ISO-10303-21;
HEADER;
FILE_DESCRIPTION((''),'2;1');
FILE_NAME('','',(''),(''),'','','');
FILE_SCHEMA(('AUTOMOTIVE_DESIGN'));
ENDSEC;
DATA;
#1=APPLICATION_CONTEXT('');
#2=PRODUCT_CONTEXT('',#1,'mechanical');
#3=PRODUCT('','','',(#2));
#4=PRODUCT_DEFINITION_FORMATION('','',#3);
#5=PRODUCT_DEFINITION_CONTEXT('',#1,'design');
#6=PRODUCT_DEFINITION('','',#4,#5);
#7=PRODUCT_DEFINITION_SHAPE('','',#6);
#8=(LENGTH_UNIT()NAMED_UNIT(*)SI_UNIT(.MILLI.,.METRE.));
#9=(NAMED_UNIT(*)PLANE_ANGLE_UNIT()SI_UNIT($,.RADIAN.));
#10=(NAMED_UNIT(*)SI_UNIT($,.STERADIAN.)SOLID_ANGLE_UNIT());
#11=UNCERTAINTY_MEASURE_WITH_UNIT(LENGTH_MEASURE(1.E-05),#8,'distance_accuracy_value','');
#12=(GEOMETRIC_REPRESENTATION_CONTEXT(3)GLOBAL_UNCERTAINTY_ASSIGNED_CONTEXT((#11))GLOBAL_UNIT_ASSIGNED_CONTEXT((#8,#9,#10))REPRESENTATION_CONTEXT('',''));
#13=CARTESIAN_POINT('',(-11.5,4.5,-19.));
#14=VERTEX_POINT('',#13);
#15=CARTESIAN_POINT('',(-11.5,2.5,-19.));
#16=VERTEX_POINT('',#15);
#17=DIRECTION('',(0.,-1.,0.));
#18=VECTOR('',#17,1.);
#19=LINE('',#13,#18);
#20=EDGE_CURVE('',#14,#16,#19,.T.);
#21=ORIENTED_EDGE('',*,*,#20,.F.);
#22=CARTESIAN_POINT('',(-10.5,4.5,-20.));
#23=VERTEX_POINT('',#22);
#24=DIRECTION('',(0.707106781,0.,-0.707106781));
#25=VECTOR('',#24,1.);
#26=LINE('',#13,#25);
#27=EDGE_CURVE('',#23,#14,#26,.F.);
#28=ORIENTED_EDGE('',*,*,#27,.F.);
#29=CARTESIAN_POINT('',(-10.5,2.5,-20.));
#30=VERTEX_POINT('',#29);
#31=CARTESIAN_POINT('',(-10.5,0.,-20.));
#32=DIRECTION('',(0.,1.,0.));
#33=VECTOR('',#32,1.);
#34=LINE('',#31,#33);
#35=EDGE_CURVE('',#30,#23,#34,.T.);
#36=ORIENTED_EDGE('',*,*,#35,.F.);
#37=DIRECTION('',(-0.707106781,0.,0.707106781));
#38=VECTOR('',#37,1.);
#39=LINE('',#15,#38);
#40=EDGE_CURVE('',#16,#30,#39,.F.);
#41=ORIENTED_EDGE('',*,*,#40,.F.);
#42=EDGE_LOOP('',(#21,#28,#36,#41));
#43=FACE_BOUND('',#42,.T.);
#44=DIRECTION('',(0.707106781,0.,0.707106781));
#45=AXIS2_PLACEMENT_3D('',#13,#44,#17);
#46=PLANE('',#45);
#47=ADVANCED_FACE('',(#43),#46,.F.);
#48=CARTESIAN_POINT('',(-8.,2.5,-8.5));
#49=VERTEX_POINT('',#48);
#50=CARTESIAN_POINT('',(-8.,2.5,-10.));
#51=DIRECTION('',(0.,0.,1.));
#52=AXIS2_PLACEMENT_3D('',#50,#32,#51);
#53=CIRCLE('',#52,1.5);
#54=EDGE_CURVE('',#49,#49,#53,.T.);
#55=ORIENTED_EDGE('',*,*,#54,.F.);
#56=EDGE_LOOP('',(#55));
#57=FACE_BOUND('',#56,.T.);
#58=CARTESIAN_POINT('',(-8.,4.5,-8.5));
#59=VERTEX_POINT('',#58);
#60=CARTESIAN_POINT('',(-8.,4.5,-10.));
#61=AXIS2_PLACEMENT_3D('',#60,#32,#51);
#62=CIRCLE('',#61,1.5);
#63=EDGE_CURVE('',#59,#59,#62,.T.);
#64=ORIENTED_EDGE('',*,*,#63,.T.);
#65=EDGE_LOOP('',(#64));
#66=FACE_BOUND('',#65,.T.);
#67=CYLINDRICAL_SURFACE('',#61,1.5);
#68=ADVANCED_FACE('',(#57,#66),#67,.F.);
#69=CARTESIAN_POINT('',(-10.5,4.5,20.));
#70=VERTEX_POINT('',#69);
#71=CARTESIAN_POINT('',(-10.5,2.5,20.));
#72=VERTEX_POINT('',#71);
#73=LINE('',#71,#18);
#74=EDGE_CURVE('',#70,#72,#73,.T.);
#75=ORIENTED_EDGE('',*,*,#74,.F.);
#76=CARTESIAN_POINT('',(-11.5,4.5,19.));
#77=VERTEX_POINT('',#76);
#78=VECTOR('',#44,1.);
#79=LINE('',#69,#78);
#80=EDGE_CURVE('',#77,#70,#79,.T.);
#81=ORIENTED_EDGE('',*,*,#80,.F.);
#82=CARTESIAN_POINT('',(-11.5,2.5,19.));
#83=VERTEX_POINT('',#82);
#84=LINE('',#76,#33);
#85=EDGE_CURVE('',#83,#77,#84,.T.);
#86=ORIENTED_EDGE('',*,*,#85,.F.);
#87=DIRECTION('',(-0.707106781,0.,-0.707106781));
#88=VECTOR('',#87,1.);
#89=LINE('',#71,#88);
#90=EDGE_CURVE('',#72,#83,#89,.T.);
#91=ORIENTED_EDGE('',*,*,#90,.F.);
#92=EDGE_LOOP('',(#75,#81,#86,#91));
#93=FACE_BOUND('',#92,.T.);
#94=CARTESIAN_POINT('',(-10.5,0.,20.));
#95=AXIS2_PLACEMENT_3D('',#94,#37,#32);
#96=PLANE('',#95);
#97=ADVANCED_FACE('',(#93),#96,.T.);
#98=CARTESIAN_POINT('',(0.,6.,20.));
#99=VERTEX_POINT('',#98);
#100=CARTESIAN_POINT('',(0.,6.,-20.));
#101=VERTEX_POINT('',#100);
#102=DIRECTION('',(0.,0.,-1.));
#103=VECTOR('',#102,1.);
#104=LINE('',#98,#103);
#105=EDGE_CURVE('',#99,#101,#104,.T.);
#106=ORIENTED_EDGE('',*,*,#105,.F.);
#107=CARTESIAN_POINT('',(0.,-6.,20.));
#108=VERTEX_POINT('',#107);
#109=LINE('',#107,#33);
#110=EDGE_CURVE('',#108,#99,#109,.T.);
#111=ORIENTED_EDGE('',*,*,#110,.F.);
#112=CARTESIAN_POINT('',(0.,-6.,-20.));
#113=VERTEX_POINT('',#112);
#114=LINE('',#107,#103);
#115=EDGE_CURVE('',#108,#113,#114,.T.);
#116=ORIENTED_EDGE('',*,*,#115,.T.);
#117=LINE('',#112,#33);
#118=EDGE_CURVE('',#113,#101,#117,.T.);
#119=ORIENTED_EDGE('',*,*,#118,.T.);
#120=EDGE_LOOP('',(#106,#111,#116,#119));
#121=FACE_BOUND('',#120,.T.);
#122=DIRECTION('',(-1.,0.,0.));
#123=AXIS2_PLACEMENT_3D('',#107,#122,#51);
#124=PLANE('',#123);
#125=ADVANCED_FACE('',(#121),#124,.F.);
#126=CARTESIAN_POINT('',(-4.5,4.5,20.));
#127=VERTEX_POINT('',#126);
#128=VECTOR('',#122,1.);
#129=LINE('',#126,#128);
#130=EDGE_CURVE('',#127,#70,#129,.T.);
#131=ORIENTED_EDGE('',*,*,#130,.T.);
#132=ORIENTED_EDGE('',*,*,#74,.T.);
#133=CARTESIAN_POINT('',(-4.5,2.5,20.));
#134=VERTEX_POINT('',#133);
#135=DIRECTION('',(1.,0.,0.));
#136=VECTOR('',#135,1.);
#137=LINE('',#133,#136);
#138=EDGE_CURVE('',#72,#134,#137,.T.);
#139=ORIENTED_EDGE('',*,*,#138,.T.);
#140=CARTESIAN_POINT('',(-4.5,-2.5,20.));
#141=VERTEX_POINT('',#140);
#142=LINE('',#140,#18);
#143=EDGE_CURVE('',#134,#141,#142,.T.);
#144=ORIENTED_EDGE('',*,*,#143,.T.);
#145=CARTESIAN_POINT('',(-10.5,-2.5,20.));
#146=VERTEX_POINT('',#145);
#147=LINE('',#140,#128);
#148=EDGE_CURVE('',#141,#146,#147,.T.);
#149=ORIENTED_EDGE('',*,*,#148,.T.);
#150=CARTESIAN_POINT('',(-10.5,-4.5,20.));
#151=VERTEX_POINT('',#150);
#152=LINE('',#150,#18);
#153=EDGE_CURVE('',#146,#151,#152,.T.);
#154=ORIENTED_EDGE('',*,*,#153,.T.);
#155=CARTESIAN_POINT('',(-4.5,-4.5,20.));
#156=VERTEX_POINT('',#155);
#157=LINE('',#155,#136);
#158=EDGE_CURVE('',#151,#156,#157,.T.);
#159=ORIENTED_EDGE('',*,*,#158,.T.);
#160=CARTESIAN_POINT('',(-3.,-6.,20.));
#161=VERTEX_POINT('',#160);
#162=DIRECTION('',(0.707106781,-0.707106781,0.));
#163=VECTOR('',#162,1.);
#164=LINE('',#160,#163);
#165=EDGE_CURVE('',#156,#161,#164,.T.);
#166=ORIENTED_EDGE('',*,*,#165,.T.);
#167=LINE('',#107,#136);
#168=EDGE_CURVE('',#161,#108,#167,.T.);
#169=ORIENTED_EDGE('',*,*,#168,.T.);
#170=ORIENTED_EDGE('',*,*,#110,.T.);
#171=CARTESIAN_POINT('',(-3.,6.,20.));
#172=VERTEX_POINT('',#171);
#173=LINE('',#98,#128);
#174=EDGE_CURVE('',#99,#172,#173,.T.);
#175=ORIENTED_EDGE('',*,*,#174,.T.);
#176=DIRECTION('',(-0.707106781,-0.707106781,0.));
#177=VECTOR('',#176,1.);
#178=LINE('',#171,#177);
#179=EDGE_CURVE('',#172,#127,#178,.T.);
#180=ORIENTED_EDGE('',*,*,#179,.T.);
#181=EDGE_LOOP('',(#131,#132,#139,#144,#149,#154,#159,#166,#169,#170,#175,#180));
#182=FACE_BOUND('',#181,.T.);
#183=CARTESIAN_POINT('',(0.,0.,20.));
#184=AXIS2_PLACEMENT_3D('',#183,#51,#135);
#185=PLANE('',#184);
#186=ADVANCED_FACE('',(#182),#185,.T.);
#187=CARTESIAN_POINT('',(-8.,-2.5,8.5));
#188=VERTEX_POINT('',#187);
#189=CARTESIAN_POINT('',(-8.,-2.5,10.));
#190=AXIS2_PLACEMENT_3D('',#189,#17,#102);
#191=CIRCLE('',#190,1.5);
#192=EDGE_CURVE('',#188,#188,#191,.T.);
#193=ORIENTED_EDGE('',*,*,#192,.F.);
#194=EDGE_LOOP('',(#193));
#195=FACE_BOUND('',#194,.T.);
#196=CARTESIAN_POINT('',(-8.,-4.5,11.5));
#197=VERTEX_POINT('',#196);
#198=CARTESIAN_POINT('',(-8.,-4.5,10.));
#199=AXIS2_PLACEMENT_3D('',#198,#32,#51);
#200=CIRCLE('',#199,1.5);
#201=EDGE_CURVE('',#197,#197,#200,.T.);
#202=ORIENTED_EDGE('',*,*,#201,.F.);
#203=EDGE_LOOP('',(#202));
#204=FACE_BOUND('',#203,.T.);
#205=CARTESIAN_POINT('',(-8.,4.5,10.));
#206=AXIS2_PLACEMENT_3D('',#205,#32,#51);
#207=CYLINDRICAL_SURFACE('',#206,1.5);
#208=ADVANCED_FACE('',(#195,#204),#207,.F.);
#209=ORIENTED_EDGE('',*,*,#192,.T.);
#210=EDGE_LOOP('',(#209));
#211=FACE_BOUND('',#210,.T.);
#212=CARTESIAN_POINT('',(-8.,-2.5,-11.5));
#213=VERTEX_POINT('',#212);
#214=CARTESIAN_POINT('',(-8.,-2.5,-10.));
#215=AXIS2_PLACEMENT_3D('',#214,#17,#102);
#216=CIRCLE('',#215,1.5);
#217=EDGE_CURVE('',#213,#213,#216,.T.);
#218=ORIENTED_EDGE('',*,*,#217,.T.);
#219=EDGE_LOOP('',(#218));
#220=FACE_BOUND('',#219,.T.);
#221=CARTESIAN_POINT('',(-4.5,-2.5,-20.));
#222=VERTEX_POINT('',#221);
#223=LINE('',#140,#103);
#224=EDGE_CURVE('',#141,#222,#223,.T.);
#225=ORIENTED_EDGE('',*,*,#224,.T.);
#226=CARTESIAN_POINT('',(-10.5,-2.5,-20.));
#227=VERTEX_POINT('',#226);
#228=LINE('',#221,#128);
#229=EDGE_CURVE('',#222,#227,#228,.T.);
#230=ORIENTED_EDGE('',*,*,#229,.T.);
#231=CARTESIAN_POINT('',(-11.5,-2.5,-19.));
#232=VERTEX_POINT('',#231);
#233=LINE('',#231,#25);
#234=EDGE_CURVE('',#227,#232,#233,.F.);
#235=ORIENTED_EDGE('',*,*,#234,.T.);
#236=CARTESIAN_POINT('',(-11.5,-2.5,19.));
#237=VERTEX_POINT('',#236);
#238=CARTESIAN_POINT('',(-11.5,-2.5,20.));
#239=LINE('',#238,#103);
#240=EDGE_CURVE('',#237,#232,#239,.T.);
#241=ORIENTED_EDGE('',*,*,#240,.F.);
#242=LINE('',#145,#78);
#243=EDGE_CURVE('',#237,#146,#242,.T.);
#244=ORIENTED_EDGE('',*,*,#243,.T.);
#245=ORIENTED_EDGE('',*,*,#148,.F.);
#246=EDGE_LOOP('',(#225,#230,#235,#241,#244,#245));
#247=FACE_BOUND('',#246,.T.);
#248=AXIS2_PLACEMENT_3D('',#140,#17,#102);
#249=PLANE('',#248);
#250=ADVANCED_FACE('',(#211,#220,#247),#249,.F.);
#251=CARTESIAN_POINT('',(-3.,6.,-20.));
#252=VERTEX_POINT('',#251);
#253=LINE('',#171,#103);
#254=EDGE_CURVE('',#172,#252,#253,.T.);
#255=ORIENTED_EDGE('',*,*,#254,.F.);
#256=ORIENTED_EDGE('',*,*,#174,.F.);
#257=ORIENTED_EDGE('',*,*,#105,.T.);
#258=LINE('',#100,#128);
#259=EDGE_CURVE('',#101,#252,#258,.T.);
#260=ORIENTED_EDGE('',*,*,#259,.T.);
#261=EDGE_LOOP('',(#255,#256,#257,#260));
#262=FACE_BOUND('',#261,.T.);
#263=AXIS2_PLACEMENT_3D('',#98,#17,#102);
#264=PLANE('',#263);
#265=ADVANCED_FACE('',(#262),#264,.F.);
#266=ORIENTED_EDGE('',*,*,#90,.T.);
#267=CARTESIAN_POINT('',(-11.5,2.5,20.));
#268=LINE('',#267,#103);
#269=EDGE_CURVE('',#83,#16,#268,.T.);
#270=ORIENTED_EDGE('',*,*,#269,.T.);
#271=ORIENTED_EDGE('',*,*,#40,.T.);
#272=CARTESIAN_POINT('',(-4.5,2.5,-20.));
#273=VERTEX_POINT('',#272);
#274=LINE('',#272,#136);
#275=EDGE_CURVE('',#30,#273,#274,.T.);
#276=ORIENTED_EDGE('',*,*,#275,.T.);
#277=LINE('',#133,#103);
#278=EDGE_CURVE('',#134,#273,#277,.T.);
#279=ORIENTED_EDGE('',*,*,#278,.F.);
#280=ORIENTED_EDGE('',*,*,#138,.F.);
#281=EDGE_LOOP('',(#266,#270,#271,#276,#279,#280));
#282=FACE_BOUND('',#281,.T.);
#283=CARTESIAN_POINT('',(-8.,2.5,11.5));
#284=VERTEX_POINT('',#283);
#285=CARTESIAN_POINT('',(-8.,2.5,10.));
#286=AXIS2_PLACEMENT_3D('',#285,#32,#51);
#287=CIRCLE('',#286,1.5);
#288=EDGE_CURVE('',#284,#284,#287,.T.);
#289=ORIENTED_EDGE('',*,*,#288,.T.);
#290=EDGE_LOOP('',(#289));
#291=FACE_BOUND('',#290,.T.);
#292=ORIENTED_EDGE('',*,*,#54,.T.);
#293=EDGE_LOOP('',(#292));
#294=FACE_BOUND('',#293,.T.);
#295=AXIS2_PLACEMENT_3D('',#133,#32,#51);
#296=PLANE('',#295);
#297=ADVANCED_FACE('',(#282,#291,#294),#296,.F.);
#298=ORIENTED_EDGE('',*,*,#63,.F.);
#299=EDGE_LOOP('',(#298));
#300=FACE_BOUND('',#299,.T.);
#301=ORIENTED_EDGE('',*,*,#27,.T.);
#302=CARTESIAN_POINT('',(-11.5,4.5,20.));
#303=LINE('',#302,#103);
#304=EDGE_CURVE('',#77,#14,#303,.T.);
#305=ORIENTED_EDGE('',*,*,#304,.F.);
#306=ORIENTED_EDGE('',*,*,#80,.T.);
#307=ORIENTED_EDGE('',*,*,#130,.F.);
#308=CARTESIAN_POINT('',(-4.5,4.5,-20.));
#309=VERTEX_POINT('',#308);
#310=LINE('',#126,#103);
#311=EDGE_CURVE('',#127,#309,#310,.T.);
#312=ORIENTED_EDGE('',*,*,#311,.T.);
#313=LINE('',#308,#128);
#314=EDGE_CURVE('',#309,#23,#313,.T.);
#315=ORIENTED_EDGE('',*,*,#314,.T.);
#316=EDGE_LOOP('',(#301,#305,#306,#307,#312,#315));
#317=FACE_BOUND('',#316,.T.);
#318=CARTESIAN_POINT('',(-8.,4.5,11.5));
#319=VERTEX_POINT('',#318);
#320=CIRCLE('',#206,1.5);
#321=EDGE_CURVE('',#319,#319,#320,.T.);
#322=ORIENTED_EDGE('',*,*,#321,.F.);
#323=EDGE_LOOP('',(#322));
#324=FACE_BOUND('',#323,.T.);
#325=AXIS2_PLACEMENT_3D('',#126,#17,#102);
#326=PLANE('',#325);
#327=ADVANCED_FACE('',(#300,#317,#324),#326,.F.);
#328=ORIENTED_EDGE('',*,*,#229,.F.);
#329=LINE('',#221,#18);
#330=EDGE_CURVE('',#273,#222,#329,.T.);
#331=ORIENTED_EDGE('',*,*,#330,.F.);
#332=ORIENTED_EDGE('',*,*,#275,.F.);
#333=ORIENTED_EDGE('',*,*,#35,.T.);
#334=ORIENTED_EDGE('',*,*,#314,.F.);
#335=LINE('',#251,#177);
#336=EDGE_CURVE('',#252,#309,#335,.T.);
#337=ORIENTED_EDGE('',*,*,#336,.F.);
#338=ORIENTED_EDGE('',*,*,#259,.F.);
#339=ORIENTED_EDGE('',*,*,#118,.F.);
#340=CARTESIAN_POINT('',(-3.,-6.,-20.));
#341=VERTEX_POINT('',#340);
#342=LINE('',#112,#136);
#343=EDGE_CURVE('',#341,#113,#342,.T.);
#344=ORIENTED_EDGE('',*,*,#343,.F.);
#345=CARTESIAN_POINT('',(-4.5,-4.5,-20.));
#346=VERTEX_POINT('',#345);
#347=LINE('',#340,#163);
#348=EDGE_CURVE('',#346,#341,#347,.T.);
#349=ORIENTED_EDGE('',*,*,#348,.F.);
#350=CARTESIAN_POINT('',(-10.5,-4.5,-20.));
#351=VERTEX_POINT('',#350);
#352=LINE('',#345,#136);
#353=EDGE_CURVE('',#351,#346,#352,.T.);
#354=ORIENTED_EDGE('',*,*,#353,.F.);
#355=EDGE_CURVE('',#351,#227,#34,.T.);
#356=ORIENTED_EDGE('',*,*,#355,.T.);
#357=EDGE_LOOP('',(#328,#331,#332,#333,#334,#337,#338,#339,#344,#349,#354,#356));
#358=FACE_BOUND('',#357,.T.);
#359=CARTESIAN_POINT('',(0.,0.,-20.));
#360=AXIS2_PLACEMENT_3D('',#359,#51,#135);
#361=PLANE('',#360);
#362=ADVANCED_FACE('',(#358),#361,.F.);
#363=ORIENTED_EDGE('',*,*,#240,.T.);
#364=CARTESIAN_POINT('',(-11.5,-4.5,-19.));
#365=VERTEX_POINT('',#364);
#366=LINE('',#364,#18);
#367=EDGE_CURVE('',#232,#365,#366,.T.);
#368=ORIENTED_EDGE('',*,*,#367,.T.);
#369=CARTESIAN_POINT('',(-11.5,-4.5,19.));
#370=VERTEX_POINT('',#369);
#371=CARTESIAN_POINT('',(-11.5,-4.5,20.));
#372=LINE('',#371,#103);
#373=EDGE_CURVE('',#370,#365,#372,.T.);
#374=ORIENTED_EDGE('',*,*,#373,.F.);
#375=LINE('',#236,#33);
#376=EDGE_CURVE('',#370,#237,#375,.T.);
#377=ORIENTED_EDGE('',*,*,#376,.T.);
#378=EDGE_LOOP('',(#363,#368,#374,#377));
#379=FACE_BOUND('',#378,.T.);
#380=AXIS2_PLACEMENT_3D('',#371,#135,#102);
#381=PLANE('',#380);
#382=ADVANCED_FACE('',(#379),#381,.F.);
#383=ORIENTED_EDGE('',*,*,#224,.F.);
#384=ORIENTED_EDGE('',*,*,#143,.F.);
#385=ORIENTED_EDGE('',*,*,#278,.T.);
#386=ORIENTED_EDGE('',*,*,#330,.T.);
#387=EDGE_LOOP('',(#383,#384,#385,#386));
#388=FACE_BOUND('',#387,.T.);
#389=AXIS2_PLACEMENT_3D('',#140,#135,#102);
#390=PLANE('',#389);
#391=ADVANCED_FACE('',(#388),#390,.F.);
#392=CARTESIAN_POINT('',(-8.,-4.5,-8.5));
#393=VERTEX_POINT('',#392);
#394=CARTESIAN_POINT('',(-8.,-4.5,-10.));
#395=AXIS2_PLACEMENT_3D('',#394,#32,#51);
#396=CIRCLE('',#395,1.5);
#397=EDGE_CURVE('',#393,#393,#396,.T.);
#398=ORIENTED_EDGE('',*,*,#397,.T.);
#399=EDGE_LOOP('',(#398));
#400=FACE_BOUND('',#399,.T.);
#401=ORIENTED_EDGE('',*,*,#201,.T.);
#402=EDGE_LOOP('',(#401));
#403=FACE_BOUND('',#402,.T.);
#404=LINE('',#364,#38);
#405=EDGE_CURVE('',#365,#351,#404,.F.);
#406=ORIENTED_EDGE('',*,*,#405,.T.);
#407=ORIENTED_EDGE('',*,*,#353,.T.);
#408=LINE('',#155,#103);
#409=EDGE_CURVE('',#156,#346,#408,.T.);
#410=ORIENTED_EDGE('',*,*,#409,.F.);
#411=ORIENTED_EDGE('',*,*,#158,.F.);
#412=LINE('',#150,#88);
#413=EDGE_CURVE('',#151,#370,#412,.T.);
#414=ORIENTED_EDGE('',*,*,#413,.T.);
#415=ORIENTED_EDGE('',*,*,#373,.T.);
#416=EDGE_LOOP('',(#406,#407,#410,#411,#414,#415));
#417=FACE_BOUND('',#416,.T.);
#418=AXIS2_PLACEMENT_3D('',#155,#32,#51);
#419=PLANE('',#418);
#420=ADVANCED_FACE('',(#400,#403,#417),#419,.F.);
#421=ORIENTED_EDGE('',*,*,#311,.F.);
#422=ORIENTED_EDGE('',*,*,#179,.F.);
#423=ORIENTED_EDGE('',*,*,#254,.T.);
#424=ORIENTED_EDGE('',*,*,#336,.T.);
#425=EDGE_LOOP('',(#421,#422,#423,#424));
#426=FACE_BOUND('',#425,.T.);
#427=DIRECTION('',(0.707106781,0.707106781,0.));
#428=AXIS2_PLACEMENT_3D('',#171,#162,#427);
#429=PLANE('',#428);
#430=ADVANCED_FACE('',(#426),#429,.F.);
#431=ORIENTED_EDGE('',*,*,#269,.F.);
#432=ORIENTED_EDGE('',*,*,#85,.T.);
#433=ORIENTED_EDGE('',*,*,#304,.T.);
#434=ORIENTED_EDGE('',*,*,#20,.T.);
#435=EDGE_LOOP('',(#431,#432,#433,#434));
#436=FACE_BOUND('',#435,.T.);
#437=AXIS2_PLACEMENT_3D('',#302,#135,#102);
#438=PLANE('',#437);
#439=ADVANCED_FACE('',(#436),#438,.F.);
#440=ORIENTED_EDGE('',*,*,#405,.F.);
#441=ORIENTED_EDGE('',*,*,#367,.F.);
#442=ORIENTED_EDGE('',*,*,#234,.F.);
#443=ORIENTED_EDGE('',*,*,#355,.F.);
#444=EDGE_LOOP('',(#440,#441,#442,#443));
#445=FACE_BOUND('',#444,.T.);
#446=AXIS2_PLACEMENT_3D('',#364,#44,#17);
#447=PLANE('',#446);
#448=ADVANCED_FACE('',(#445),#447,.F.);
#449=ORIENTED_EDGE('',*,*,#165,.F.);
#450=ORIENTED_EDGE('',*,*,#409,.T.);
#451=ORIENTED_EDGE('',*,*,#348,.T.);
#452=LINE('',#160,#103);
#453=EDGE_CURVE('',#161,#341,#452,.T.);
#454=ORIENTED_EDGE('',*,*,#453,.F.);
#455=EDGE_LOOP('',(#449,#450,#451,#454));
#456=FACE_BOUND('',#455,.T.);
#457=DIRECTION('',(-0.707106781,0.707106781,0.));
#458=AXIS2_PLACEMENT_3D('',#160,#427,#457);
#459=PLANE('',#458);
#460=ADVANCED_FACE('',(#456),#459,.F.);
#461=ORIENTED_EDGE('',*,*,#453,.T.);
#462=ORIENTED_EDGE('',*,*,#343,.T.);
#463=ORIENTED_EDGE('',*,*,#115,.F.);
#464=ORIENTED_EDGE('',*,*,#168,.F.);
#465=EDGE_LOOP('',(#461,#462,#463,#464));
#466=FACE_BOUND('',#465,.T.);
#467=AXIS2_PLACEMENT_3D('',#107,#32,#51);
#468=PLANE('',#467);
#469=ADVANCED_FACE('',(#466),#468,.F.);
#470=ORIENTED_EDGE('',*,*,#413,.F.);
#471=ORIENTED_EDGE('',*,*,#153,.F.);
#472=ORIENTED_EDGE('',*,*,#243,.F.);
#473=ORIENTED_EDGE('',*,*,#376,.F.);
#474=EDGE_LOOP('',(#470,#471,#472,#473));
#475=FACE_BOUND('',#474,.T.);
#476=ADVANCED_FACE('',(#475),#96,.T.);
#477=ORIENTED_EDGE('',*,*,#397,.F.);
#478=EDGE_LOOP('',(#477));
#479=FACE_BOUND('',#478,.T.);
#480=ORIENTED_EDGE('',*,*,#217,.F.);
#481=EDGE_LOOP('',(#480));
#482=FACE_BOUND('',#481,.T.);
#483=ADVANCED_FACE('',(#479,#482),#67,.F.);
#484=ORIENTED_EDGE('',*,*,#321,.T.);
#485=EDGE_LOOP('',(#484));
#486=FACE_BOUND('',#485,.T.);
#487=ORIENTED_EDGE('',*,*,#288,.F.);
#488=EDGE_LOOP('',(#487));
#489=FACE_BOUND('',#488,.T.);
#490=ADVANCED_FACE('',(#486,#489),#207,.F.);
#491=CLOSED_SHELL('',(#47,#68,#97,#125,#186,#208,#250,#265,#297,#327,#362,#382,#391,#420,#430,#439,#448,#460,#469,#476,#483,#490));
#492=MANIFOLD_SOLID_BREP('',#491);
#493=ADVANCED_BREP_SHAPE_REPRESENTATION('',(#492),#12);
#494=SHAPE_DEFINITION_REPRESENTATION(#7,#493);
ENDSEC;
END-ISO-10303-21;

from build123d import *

# Parameters (mm, degrees)
SALIENTE_EXTRUIR1_DEPTH      = 20
TALADRO_DE_MARGEN_PARA_M31_D = 3
CHAFL_N2_SIZE                = 1


with BuildPart() as part:
    # Croquis1 → Saliente-Extruir1 (new, symmetric)
    with BuildSketch(Plane(origin=(0, 0, 0), x_dir=(0, 1, 0), z_dir=(0, 0, 1))):
        Polygon((-6, 0), (6, 0), (6, 3), (4.5, 4.5), (4.5, 11.5), (2.5, 11.5), (2.5, 4.5), (-2.5, 4.5), (-2.5, 11.5), (-4.5, 11.5), (-4.5, 4.5), (-6, 3), align=None)
    extrude(amount=SALIENTE_EXTRUIR1_DEPTH, both=True)

    # Taladro de margen para M31 (through all)
    with Locations(Plane(origin=(0, 4.5, 0), x_dir=(-1, 0, 0), z_dir=(0, 1, 0))):
        with Locations((8, -10), (8, 10)):
            Hole(TALADRO_DE_MARGEN_PARA_M31_D / 2)

    # Chaflán2
    chafl_n2_edges = [part.edges().sort_by_distance(p)[0] for p in [
        (-11.5, -3.5, -20),
        (-11.5, 3.5, -20),
        (-11.5, 3.5, 20),
        (-11.5, -3.5, 20),
    ]]
    chamfer(chafl_n2_edges, length=CHAFL_N2_SIZE)


solid = part.part
